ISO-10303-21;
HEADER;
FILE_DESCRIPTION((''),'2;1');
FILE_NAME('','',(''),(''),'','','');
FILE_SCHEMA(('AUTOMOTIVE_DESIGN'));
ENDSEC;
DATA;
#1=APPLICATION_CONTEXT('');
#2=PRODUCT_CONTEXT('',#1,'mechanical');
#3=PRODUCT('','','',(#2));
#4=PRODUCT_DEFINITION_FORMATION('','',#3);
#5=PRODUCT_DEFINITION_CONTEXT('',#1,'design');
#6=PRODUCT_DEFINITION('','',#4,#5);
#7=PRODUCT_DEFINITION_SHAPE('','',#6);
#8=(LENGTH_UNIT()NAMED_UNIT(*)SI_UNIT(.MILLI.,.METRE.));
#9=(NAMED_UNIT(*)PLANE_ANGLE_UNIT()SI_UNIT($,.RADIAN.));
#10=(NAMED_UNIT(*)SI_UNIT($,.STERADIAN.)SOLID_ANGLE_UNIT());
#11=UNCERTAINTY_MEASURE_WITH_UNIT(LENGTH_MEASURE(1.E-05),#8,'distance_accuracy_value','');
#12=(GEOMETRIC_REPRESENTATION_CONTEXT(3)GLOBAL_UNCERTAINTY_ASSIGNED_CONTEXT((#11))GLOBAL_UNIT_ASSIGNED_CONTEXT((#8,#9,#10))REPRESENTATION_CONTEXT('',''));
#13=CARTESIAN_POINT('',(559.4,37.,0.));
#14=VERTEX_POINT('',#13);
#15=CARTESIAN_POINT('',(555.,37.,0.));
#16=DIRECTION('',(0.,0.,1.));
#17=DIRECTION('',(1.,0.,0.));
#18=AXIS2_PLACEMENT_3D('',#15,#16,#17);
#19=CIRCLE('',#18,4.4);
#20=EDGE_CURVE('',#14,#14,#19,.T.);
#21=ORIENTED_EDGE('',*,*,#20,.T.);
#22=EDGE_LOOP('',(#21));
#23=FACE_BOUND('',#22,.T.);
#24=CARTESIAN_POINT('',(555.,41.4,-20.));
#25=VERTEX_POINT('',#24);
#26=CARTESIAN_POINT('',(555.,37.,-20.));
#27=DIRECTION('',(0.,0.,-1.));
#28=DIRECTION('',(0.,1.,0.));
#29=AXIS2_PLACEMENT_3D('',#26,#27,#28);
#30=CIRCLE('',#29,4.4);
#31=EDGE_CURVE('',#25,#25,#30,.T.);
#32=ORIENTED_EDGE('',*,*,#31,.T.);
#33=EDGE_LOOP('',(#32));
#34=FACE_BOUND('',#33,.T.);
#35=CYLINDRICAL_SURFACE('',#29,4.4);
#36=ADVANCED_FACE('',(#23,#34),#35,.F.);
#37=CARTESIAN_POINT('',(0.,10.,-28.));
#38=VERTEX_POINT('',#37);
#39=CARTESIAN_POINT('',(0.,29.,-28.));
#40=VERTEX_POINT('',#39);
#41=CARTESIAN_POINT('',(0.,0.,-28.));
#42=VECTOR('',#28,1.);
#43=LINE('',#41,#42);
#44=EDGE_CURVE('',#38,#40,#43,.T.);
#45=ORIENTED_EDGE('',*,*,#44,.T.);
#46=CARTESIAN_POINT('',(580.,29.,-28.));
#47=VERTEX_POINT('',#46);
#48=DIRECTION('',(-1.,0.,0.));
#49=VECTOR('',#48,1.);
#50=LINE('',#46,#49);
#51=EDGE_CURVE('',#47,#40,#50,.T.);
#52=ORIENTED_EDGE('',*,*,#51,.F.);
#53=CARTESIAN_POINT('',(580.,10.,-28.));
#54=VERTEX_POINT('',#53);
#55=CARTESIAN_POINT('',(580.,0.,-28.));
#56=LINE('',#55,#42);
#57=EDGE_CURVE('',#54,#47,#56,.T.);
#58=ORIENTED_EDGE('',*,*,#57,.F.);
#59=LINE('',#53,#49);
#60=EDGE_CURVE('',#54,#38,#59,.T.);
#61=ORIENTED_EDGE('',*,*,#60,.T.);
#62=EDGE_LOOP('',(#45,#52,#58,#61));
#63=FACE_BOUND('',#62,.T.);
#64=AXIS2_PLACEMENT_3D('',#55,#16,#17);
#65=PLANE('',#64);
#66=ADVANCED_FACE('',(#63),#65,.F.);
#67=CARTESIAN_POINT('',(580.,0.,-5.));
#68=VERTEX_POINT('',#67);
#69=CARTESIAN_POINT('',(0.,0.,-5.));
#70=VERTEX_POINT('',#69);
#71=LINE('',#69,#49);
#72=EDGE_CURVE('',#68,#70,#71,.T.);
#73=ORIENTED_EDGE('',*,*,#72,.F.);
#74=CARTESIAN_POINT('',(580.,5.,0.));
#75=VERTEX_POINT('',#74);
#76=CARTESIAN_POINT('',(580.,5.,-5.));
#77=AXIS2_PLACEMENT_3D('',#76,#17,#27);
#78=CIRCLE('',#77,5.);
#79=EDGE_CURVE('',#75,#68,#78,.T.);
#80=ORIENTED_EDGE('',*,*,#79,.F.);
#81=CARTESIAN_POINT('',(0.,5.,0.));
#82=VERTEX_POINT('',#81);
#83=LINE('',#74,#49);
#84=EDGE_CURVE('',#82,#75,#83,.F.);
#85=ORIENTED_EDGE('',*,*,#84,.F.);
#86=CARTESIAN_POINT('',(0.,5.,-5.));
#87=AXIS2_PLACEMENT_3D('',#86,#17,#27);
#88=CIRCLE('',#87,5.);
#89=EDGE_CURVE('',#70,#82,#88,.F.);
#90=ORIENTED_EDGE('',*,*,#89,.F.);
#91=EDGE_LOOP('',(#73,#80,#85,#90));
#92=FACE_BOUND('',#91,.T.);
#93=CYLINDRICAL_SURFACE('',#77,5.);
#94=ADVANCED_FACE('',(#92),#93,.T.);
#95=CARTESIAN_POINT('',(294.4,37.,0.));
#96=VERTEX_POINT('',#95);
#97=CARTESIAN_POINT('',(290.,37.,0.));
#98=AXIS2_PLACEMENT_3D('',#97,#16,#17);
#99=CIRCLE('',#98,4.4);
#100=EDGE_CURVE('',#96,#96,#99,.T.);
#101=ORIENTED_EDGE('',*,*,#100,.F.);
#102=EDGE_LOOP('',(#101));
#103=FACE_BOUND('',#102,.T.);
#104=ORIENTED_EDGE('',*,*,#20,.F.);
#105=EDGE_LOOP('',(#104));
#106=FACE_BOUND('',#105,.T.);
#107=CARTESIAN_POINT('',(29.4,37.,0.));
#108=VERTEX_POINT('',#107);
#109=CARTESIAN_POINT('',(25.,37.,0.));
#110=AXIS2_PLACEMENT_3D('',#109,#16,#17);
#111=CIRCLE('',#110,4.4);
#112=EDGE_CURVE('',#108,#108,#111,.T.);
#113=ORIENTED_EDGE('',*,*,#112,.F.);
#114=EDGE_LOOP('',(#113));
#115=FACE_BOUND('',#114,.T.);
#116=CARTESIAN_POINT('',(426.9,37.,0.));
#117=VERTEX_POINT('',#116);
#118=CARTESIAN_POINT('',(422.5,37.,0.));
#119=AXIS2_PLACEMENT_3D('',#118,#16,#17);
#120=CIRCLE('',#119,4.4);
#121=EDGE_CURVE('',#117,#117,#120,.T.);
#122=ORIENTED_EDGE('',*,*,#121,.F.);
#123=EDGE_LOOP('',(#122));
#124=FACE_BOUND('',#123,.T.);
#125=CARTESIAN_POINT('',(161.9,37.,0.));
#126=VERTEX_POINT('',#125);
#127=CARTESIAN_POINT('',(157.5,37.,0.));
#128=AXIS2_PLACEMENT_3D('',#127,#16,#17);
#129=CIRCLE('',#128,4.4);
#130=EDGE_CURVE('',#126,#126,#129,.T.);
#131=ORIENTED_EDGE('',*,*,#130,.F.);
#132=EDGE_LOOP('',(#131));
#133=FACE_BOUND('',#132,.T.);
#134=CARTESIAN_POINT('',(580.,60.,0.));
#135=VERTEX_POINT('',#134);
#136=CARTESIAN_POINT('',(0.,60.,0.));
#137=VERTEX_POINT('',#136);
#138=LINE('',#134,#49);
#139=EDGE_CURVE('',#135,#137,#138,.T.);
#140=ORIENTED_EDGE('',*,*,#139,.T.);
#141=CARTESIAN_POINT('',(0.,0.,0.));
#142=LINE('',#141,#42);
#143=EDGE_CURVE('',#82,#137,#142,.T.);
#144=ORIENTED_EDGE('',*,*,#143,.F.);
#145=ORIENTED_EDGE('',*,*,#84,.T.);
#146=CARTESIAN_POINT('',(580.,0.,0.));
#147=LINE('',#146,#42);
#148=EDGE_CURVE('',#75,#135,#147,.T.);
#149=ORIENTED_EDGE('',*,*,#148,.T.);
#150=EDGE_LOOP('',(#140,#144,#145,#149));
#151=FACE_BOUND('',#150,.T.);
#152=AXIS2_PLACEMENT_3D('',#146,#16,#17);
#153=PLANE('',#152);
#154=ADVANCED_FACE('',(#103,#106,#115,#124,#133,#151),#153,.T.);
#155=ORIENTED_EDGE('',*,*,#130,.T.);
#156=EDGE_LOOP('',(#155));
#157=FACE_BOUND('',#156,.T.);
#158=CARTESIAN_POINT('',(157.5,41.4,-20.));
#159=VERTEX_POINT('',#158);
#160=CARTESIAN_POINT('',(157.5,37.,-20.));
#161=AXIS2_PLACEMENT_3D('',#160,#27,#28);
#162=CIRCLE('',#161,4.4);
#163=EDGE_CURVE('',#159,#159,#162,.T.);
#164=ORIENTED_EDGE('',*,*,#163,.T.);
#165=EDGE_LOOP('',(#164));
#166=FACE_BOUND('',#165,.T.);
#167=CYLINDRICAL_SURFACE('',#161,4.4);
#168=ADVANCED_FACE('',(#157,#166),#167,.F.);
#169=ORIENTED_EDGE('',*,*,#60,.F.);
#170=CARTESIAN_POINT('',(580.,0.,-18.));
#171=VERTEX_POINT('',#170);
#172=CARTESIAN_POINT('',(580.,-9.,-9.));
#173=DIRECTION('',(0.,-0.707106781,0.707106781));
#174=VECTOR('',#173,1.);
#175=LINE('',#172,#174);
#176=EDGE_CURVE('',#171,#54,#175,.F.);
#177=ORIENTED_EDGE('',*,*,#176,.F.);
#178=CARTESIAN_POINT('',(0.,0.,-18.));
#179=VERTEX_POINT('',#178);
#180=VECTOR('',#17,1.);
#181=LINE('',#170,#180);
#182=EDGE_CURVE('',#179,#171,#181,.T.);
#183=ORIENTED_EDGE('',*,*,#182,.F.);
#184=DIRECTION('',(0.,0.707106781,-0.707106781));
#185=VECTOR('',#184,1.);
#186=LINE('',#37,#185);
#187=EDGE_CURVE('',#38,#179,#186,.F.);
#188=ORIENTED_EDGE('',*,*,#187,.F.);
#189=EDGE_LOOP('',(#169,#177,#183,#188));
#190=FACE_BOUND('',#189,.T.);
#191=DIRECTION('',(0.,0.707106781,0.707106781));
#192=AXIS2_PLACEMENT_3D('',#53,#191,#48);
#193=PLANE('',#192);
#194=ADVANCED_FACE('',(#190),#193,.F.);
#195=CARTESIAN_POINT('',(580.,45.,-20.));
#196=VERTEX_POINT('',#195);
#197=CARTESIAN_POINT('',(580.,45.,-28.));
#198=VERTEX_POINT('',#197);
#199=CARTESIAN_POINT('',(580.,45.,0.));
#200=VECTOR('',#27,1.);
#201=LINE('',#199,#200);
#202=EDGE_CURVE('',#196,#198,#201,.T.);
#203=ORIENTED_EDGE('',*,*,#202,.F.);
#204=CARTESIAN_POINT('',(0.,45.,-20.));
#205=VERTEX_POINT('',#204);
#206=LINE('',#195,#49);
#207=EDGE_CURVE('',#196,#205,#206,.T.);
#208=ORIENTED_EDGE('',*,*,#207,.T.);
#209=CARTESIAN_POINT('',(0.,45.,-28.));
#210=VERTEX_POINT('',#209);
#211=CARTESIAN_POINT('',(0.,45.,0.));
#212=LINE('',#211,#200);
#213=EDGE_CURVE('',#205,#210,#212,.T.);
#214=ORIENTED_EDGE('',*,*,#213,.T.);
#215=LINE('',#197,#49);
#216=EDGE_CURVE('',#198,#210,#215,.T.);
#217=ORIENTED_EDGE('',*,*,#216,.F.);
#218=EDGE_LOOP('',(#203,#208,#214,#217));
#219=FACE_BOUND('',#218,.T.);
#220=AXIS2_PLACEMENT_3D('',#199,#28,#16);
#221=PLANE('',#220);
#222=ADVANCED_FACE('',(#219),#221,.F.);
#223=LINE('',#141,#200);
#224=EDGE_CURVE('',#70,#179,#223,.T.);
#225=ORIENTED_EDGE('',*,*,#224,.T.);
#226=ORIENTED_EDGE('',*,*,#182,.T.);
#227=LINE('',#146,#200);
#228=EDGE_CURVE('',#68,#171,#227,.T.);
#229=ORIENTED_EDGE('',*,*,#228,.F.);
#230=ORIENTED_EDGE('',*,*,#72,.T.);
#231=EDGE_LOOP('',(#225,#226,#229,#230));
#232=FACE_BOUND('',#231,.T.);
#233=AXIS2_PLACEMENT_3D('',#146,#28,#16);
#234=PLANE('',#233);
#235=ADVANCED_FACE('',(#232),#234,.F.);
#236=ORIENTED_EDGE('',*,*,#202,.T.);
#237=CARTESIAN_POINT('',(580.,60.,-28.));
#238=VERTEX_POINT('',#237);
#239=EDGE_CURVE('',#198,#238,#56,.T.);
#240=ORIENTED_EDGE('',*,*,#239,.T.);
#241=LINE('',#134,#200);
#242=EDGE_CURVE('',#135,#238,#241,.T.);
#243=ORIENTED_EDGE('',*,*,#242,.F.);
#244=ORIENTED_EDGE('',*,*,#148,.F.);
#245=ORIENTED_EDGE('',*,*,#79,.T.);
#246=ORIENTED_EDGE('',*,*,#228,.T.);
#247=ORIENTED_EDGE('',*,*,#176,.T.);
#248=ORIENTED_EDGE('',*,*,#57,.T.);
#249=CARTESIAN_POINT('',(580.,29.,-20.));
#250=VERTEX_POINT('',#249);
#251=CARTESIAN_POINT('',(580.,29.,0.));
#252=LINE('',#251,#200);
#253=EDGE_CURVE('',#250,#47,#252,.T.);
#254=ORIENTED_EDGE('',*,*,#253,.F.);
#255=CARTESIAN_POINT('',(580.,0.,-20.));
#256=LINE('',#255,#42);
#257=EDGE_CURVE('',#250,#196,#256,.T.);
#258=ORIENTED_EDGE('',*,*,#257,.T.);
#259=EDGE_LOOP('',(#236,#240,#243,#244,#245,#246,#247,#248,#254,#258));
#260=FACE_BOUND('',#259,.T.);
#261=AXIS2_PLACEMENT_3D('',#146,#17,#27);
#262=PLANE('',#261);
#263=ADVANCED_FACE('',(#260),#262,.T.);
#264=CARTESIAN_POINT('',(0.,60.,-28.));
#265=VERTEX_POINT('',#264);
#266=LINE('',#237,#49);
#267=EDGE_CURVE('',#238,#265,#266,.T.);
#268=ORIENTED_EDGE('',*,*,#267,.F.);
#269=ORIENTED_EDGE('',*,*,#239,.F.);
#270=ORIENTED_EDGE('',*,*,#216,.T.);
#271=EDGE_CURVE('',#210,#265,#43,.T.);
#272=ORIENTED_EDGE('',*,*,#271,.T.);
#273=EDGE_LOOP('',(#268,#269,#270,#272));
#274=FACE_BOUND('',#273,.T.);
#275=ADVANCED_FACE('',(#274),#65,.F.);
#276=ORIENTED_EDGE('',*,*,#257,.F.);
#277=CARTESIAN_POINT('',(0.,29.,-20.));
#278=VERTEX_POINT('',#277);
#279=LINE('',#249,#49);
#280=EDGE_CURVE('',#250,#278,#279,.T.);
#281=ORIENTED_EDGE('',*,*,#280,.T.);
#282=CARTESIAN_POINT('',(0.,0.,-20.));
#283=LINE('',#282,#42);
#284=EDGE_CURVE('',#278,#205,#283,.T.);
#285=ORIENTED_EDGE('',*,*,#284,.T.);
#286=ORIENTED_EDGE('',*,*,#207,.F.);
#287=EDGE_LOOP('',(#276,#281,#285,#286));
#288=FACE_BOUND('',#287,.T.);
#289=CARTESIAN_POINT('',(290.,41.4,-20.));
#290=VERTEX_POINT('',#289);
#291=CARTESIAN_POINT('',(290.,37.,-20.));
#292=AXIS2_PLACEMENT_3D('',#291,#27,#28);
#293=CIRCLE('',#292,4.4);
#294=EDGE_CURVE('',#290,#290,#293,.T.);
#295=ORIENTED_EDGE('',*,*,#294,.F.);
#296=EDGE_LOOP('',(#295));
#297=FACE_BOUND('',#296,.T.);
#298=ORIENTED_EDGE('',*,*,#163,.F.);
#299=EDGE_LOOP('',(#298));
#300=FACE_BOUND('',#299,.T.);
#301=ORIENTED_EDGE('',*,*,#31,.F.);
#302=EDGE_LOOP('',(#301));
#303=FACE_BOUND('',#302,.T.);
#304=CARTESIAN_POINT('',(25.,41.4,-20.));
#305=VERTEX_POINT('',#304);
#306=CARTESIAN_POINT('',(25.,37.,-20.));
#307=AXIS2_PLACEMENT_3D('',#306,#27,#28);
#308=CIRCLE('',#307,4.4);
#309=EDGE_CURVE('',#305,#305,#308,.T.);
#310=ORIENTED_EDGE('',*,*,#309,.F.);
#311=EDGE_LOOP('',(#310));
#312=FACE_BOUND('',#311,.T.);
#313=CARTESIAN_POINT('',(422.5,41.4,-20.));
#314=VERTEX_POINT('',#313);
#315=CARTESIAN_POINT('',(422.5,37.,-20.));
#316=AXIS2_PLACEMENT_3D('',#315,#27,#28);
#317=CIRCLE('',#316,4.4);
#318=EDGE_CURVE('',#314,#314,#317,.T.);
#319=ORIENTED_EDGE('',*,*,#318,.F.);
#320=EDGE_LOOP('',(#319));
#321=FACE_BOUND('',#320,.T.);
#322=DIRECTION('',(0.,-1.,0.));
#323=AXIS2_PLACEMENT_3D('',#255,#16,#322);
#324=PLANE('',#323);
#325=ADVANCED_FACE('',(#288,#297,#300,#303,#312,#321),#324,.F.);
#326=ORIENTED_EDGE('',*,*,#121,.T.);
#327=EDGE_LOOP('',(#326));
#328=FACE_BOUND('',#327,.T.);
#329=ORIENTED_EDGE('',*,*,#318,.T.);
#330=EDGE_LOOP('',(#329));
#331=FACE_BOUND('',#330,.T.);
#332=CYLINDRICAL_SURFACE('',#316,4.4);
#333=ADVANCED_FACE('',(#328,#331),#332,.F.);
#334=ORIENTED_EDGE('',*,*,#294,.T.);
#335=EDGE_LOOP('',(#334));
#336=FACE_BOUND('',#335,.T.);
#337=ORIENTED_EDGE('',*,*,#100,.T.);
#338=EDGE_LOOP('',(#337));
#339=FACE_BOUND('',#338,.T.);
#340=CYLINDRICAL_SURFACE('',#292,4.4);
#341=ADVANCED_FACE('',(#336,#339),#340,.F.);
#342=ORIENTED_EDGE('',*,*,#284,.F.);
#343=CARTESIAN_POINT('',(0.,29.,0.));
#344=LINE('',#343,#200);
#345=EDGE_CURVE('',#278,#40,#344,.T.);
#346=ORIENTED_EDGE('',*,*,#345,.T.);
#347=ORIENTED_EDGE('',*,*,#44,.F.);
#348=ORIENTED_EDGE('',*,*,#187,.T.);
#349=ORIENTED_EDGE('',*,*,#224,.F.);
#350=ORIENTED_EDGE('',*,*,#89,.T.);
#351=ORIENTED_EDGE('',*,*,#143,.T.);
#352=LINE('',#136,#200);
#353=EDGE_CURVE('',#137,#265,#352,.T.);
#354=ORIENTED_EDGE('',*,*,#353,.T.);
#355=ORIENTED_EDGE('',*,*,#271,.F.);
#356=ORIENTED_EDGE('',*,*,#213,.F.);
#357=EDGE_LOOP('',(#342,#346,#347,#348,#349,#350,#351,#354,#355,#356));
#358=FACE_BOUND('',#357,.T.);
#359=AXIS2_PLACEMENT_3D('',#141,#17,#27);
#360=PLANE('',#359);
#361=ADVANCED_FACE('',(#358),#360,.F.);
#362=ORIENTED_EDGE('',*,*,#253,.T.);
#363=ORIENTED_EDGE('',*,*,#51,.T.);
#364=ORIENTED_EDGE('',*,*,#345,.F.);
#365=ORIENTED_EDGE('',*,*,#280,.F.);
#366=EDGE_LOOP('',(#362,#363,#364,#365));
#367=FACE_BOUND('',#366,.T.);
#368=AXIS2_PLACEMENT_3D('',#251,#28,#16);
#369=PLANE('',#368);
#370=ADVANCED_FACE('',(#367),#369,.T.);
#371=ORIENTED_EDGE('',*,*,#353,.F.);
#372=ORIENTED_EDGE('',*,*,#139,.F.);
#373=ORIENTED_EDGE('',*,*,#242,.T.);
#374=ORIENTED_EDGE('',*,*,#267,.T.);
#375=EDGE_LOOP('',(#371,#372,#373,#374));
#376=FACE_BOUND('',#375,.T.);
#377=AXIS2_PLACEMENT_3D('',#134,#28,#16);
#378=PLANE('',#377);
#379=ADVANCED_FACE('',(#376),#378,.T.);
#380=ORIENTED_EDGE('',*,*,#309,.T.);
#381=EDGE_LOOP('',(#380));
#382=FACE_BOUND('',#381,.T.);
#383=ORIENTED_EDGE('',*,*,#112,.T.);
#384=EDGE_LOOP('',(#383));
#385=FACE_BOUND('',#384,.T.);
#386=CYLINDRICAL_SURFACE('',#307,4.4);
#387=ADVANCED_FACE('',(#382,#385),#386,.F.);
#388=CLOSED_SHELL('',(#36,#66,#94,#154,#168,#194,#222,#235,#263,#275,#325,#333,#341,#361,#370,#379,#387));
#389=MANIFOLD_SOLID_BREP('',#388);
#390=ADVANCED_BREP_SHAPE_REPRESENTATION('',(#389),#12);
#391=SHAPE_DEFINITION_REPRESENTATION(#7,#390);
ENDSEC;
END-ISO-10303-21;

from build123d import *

# Parameters (mm, degrees)
SKETCH_1_W       = 20
SKETCH_1_H       = 16
SKETCH_1_W_2     = 28
SKETCH_1_H_2     = 29
EXTRUDE_1_DEPTH  = 580
CHAMFER_1_SIZE   = 10
M10X1_25_1_D     = 8.8
M10X1_25_1_DEPTH = 59
M10X1_25_1_TIP   = 2.643786724
FILLET_1_R       = 5


with BuildPart() as part:
    # 草圖1 → 填料-伸長1 (new body)
    with BuildSketch(Plane(origin=(0, 0, 0), x_dir=(0, 0, -1), z_dir=(1, 0, 0))):
        Polygon((0, 60), (0, 45), (20, 45), (28, 45), (28, 60), align=None)
        with Locations((10, 37)):
            Rectangle(SKETCH_1_W, SKETCH_1_H)
        with Locations((14, 14.5)):
            Rectangle(SKETCH_1_W_2, SKETCH_1_H_2)
    extrude(amount=EXTRUDE_1_DEPTH)

    # 導角1
    chamfer_1_edges = [part.edges().sort_by_distance(p)[0] for p in [
        (290, 0, -28),
    ]]
    chamfer(chamfer_1_edges, length=CHAMFER_1_SIZE)

    # M10x1.25 螺紋孔1
    with Locations(Plane(origin=(0, 0, -20), x_dir=(-1, 0, 0), z_dir=(0, 0, -1))):
        with Locations((-555, 37), (-422.5, 37), (-290, 37), (-157.5, 37), (-25, 37)):
            Hole(M10X1_25_1_D / 2, depth=M10X1_25_1_DEPTH)
            with Locations((0, 0, -(M10X1_25_1_DEPTH + M10X1_25_1_TIP / 2))):  # 118° drill point
                Cone(0, M10X1_25_1_D / 2, M10X1_25_1_TIP, mode=Mode.SUBTRACT)

    # 圓角1
    fillet_1_edges = [part.edges().sort_by_distance(p)[0] for p in [
        (290, 0, 0),
    ]]
    fillet(fillet_1_edges, radius=FILLET_1_R)


solid = part.part
